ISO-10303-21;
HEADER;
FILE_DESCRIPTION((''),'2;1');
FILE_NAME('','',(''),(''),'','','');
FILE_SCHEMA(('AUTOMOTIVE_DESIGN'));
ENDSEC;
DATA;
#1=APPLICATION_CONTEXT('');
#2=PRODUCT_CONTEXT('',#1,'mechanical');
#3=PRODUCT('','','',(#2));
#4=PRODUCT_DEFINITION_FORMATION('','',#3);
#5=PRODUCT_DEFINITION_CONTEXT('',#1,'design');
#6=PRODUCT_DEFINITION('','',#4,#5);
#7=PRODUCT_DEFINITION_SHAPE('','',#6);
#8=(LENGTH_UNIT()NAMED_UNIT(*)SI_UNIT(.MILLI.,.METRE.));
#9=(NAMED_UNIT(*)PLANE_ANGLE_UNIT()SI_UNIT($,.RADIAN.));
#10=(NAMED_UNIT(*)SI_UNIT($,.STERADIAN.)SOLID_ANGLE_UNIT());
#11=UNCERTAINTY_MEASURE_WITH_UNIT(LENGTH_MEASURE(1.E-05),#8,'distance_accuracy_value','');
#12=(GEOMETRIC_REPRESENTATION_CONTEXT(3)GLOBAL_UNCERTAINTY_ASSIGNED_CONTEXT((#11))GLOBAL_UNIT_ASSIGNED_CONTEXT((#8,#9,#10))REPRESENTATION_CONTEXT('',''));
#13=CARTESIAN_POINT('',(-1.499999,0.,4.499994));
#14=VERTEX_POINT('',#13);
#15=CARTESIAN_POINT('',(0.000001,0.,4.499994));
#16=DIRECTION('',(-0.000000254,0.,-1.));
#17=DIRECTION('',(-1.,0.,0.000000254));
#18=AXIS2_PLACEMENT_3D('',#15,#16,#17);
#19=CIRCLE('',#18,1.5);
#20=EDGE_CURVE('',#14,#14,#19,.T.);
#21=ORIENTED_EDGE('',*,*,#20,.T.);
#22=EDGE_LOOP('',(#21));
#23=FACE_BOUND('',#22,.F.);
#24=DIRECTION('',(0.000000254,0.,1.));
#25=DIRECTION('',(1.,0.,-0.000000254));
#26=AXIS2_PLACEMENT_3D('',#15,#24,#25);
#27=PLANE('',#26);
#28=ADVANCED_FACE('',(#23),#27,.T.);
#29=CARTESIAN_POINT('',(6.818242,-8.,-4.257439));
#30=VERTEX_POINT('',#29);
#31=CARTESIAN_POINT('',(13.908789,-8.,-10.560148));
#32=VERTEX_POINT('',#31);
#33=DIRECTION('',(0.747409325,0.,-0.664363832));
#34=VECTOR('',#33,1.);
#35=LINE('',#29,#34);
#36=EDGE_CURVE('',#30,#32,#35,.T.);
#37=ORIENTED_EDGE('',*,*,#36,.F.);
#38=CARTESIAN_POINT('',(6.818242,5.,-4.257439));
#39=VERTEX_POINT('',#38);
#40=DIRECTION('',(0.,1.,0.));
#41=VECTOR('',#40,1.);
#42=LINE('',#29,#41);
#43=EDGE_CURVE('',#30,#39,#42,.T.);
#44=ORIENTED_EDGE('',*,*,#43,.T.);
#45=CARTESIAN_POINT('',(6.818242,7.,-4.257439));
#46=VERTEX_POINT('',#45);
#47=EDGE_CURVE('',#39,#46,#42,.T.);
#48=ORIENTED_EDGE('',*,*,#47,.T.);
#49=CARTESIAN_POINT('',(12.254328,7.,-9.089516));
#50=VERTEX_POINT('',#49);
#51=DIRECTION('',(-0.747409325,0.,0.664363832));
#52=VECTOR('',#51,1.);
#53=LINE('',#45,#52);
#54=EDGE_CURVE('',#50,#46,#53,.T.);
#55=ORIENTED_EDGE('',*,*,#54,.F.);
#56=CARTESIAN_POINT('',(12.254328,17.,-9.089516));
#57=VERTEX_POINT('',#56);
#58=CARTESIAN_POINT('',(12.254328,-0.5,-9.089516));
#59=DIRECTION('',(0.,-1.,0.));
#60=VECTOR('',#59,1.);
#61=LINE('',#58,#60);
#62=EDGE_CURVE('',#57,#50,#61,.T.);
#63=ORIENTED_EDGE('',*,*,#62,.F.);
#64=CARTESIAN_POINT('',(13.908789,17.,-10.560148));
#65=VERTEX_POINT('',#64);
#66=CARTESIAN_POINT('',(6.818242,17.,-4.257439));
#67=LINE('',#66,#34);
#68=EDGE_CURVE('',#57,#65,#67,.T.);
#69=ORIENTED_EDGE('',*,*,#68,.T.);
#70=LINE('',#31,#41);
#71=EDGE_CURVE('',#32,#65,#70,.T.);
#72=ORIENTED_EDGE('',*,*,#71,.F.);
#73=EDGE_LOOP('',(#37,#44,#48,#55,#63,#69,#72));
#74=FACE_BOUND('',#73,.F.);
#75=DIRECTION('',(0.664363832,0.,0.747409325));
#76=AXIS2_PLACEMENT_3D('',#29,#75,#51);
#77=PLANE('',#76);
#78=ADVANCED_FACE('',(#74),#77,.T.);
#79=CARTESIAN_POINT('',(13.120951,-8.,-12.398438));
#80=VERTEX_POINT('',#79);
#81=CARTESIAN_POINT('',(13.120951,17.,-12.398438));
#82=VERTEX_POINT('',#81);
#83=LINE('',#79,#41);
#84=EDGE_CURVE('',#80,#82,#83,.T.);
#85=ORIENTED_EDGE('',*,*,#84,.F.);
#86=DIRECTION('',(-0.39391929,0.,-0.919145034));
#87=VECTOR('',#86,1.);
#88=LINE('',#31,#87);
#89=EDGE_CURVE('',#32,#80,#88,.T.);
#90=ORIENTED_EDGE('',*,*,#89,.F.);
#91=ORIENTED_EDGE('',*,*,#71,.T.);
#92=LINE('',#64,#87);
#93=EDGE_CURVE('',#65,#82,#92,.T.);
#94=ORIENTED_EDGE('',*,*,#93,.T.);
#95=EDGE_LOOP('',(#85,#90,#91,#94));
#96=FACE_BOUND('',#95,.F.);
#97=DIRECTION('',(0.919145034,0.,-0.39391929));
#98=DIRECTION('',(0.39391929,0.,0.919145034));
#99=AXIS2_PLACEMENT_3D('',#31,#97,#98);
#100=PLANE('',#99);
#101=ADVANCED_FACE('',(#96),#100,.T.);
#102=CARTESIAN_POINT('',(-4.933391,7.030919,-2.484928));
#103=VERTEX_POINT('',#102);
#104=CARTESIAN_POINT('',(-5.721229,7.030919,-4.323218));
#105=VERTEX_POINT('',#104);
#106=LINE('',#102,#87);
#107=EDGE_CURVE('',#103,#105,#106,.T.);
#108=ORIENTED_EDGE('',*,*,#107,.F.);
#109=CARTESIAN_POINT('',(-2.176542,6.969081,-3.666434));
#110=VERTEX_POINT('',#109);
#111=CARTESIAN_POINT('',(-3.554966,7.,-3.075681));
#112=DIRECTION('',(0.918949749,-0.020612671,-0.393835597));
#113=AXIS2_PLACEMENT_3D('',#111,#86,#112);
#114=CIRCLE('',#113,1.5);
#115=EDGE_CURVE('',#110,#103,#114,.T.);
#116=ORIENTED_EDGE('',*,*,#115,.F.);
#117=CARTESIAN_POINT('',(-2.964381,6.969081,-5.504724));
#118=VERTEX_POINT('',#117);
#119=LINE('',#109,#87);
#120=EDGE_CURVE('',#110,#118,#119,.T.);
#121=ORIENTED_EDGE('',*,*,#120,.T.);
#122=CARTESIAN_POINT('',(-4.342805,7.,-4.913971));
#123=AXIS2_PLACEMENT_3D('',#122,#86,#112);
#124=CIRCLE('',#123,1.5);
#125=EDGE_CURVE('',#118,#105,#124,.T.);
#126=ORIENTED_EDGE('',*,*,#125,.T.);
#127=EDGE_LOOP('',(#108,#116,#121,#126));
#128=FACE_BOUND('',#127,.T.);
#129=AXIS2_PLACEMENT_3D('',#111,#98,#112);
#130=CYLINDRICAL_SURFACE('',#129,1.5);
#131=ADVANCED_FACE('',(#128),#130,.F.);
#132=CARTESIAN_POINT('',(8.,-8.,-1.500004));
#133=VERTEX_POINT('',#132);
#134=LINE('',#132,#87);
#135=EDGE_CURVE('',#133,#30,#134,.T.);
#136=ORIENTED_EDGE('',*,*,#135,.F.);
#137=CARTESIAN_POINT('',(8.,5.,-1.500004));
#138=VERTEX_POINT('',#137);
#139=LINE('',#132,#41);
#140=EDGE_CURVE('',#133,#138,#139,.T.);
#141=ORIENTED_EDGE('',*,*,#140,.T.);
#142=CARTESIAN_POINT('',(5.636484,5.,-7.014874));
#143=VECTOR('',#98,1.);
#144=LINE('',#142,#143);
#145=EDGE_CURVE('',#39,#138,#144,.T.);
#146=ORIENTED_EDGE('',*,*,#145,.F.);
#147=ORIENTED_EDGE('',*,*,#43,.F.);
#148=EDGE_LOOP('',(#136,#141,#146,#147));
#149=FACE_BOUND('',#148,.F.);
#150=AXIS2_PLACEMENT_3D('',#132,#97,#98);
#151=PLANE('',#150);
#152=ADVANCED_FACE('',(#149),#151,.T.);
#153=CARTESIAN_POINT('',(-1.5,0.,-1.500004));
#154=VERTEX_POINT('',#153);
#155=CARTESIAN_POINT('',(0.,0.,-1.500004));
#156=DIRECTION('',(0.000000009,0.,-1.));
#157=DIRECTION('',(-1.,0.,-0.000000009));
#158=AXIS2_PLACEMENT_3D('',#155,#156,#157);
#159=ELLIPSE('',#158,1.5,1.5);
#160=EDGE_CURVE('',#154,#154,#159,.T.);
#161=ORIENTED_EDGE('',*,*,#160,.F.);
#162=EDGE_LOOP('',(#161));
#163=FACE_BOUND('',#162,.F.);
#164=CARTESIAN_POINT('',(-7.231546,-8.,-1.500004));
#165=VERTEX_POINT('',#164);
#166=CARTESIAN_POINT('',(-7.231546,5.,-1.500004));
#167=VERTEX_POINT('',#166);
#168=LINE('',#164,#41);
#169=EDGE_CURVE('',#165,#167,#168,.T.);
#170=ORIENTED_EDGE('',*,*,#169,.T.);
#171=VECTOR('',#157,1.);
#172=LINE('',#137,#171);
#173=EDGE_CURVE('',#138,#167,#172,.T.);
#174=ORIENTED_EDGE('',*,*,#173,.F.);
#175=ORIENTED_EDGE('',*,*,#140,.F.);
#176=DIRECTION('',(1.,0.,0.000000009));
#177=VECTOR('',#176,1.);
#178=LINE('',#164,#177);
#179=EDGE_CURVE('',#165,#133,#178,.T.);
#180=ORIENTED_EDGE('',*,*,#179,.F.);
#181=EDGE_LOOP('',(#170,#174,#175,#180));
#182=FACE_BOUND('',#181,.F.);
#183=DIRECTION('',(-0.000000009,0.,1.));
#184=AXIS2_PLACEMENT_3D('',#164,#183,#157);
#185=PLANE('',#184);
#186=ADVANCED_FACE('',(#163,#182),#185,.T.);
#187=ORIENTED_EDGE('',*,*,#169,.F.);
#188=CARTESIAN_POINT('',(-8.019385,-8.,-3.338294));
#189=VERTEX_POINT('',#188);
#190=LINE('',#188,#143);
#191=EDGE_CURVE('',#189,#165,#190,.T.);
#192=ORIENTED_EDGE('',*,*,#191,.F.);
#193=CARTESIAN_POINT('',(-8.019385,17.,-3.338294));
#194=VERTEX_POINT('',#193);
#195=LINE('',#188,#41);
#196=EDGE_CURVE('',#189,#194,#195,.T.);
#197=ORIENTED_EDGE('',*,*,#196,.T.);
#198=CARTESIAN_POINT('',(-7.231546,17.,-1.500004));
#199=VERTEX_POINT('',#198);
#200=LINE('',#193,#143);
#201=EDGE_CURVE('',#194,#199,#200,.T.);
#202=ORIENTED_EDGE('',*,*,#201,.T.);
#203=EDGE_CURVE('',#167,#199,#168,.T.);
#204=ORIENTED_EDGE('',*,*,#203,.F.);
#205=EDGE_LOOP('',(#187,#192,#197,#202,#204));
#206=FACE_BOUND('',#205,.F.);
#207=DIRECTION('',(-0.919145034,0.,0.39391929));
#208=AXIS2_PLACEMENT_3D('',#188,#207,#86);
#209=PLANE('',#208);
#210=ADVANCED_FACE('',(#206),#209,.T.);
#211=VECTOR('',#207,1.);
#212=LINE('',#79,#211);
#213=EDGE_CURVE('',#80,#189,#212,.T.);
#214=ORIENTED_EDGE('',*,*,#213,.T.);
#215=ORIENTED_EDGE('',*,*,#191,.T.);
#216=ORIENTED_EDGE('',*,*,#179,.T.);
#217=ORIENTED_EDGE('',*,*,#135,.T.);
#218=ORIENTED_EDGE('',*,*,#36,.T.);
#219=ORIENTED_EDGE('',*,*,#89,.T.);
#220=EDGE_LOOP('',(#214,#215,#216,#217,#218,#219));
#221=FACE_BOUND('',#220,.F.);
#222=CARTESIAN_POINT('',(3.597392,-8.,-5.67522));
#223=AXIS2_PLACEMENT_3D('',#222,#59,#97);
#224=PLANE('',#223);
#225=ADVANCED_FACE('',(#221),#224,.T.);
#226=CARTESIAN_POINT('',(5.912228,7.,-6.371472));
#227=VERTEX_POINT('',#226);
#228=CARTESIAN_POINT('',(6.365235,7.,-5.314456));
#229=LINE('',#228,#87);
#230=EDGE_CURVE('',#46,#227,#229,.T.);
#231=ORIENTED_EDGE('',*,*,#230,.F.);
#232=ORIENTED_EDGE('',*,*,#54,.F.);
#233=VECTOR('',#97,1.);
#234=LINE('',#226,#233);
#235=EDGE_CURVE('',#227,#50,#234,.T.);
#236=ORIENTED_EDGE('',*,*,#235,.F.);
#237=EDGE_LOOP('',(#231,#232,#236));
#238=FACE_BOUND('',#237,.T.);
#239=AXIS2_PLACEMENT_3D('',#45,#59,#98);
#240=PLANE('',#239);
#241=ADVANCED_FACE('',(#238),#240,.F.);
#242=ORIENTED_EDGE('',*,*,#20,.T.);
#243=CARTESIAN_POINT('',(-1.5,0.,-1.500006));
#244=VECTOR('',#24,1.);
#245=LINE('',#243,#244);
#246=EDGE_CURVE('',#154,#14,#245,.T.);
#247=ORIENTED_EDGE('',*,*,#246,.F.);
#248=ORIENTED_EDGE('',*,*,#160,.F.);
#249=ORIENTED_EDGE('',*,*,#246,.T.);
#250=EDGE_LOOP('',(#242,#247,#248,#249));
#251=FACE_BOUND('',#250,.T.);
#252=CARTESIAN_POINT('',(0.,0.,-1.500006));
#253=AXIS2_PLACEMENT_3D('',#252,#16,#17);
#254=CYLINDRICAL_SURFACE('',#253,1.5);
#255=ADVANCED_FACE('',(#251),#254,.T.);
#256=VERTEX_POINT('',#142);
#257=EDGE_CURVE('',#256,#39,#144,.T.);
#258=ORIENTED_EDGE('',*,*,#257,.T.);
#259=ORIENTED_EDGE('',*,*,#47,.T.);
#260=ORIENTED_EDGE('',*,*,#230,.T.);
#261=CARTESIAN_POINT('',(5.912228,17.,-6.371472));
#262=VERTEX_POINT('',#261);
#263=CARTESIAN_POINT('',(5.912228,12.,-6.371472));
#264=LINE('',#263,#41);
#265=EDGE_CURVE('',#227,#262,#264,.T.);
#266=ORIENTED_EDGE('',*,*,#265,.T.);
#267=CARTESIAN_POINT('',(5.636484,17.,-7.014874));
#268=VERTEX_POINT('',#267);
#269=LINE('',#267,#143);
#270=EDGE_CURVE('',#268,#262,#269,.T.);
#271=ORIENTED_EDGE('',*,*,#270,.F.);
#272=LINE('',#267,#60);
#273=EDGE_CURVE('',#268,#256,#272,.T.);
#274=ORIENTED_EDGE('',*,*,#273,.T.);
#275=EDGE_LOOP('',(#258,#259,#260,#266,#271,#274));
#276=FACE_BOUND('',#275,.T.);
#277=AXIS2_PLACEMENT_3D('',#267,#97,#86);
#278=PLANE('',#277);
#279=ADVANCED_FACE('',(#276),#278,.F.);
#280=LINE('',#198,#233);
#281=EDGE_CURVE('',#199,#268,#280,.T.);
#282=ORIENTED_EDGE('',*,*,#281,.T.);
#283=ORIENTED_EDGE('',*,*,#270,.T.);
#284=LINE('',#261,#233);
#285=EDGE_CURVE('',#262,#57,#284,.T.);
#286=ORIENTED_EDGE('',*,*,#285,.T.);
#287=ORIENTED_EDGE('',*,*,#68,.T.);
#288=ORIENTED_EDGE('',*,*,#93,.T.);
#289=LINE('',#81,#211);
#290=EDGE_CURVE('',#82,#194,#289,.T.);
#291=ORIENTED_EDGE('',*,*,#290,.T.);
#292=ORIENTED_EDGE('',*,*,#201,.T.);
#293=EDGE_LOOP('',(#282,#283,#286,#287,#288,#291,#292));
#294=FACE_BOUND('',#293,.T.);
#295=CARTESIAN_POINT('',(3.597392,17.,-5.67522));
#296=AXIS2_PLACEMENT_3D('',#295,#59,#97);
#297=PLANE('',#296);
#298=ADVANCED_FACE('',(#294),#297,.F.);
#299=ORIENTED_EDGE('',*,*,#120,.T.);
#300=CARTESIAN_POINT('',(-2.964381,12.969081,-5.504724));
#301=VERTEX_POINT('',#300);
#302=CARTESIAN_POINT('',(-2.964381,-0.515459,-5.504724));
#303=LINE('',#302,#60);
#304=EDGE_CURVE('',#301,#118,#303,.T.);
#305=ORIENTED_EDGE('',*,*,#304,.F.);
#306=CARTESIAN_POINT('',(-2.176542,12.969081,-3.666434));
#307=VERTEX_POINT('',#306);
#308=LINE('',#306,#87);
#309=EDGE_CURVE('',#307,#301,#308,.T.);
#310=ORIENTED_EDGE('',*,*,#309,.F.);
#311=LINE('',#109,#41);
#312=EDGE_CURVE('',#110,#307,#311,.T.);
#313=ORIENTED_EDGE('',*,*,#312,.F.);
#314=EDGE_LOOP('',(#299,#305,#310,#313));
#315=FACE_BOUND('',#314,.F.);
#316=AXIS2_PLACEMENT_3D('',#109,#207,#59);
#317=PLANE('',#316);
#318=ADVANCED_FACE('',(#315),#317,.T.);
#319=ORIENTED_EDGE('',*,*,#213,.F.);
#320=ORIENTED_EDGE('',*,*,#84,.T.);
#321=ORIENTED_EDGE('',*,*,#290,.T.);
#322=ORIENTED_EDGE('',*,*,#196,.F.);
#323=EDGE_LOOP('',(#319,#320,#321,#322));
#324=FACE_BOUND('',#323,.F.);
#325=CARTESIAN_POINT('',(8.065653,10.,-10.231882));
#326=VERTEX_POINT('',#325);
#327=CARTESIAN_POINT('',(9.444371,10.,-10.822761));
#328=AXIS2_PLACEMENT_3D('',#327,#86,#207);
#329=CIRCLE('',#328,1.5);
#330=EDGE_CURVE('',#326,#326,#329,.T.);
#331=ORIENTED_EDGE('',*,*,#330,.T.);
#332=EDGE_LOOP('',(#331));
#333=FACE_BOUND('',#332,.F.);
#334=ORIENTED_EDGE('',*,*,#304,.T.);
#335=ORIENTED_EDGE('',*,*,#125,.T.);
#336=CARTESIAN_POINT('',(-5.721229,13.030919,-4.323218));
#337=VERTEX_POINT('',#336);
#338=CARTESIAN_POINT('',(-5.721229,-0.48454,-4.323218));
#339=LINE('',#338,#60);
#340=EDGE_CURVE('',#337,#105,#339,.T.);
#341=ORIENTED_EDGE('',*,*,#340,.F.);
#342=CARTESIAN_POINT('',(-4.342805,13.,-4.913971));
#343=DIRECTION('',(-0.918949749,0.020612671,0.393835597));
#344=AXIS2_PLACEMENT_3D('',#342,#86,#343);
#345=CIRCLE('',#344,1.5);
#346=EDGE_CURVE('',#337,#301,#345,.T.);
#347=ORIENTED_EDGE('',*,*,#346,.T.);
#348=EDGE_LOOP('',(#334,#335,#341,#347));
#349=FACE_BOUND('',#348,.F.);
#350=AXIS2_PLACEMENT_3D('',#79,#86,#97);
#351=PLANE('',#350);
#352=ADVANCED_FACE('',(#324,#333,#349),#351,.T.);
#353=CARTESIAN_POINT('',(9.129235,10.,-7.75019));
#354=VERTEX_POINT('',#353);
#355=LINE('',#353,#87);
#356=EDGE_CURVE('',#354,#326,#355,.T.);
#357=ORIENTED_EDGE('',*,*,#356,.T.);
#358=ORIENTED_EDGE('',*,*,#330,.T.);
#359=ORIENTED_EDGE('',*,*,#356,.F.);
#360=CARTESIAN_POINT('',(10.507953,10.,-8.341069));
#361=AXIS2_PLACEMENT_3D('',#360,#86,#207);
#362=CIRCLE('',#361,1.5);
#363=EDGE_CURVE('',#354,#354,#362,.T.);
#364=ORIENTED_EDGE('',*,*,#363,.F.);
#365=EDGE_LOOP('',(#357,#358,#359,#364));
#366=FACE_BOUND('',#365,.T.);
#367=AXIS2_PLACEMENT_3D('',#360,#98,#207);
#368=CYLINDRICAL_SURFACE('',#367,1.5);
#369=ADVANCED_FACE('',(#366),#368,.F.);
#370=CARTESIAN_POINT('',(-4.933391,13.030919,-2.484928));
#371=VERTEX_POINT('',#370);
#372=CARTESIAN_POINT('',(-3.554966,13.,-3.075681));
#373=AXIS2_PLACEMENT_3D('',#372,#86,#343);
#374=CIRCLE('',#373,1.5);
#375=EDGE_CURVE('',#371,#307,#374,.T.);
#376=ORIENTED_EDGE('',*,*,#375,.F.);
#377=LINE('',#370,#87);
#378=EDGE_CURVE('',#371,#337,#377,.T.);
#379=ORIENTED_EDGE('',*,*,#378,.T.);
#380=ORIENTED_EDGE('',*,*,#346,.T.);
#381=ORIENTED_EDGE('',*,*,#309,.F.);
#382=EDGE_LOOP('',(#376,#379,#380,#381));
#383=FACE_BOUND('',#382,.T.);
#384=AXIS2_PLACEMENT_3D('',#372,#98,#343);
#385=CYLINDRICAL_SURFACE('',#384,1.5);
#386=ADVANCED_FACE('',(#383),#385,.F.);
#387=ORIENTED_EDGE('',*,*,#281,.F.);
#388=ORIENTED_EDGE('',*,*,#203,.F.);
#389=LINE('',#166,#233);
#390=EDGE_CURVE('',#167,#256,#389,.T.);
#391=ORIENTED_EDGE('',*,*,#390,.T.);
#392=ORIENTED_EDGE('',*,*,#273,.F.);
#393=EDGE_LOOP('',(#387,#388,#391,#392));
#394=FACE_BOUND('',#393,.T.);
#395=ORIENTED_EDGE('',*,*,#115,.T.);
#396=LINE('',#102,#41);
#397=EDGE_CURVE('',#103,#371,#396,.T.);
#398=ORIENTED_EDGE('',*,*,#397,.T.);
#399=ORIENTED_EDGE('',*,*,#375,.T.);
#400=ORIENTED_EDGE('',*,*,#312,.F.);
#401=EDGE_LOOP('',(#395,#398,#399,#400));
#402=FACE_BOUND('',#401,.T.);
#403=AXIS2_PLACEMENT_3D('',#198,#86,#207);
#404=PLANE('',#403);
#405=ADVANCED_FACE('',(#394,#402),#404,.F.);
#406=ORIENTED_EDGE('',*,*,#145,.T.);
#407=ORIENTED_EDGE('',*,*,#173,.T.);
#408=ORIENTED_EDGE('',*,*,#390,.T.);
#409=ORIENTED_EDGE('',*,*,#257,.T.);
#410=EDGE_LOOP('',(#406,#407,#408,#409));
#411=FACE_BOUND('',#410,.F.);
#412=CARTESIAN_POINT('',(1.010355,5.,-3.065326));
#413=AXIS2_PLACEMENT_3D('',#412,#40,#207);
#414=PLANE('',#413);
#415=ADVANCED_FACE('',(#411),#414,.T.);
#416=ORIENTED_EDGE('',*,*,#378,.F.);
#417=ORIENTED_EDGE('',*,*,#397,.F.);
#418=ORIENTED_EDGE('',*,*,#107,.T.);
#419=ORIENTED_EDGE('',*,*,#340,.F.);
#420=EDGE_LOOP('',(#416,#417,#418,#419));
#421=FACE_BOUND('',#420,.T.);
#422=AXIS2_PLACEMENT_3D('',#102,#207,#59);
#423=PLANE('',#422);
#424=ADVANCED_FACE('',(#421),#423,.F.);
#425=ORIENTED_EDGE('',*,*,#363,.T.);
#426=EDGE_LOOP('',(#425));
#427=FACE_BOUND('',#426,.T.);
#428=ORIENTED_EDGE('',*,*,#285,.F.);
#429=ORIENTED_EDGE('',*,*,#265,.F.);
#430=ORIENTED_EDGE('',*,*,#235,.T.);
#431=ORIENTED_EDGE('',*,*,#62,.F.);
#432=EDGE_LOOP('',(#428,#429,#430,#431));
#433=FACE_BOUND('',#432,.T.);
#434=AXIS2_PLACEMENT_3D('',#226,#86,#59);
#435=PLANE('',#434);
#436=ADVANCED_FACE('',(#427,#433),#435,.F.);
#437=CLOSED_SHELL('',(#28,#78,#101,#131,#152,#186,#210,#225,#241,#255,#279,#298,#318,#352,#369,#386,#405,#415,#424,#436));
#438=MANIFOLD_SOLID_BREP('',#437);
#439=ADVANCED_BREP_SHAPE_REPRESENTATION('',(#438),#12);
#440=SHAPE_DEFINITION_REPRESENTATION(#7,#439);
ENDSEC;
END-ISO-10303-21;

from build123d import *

# Parameters (mm, degrees)
PAD_DEPTH                      = 25
POCKET_DEPTH                   = 12
SKETCH002_R                    = 1.5
PAD001_DEPTH                   = 6
POCKET001_DEPTH                = 2.001
SKETCH004_W                    = 2.3
SKETCH004_H                    = 10
POCKET002_DEPTH                = 9.001
SKETCH005_R                    = 1.5
HOLE_DEPTH                     = 2.701
PART_MIRRORING_PLACEMENT_ANGLE = 23.19859


with BuildPart() as body:
    # Sketch → Pad (new body)
    with BuildSketch(Plane.XZ):
        Polygon((0, 0), (0, 2), (14, 8), (14, 5), (23, 2), (23, 0), align=None)
    extrude(amount=PAD_DEPTH)

    # Sketch001 (on Face8 of Pad) → Pocket (cut)
    with BuildSketch(Plane.XZ.offset(25)):
        Polygon((0, 2), (14, 2), (14, 8), align=None)
    extrude(amount=-POCKET_DEPTH, mode=Mode.SUBTRACT)

    # Sketch002 (on Face3 of Pocket) → Pad001 (join)
    with BuildSketch(Plane(origin=(-0.724138, 0, 1.689655), x_dir=(-0.919145, 0, -0.393919), z_dir=(-0.393919, 0, 0.919145))):
        with Locations((-8.019385, 8)):
            Circle(SKETCH002_R)
    extrude(amount=PAD001_DEPTH)

    # Sketch003 (on Face4 of Pad001) → Pocket001 (cut, through all)
    with BuildSketch(Plane(origin=(0, 0, 2), x_dir=(-1, 0, 0), z_dir=(0, 0, 1))):
        with BuildLine():
            ThreePointArc((-2.500319, 21.030919), (-4.030919, 22.499681), (-5.499681, 20.969081))
            Line((-5.499681, 14.969081), (-5.499681, 20.969081))
            ThreePointArc((-5.499681, 14.969081), (-3.969081, 13.500319), (-2.500319, 15.030919))
            Line((-2.500319, 15.030919), (-2.500319, 21.030919))
        make_face()
    extrude(amount=-POCKET001_DEPTH, mode=Mode.SUBTRACT)

    # Sketch004 (on Face15 of Pocket001) → Pocket002 (cut, through all)
    with BuildSketch(Plane(origin=(14, 0, 0), x_dir=(0, 0, -1), z_dir=(-1, 0, 0))):
        with Locations((-3.85, 20)):
            Rectangle(SKETCH004_W, SKETCH004_H)
    extrude(amount=-POCKET002_DEPTH, mode=Mode.SUBTRACT)

    # Sketch005 (on Face17 of Pocket002) → Hole (cut, through all)
    with BuildSketch(Plane(origin=(0, 0, 2.7), x_dir=(-1, 0, 0), z_dir=(0, 0, 1))):
        with Locations((-19, 18)):
            Circle(SKETCH005_R)
    extrude(amount=-HOLE_DEPTH, mode=Mode.SUBTRACT)


with BuildPart() as part_mirroring:
    # Part__Mirroring: instance of Body
    add(body.part.mirror(Plane(origin=(0, 0, 0), x_dir=(1, 0, 0), z_dir=(0, 1, 0))))


with BuildPart() as part_mirroring_1:
    # Part__Mirroring placement: moved
    add(part_mirroring.part.moved(Location((-8.019385, -8, -3.338294))).rotate(Axis((-8.019385, -8, -3.338294), (0, 1, 0)), PART_MIRRORING_PLACEMENT_ANGLE))


solid = part_mirroring_1.part
